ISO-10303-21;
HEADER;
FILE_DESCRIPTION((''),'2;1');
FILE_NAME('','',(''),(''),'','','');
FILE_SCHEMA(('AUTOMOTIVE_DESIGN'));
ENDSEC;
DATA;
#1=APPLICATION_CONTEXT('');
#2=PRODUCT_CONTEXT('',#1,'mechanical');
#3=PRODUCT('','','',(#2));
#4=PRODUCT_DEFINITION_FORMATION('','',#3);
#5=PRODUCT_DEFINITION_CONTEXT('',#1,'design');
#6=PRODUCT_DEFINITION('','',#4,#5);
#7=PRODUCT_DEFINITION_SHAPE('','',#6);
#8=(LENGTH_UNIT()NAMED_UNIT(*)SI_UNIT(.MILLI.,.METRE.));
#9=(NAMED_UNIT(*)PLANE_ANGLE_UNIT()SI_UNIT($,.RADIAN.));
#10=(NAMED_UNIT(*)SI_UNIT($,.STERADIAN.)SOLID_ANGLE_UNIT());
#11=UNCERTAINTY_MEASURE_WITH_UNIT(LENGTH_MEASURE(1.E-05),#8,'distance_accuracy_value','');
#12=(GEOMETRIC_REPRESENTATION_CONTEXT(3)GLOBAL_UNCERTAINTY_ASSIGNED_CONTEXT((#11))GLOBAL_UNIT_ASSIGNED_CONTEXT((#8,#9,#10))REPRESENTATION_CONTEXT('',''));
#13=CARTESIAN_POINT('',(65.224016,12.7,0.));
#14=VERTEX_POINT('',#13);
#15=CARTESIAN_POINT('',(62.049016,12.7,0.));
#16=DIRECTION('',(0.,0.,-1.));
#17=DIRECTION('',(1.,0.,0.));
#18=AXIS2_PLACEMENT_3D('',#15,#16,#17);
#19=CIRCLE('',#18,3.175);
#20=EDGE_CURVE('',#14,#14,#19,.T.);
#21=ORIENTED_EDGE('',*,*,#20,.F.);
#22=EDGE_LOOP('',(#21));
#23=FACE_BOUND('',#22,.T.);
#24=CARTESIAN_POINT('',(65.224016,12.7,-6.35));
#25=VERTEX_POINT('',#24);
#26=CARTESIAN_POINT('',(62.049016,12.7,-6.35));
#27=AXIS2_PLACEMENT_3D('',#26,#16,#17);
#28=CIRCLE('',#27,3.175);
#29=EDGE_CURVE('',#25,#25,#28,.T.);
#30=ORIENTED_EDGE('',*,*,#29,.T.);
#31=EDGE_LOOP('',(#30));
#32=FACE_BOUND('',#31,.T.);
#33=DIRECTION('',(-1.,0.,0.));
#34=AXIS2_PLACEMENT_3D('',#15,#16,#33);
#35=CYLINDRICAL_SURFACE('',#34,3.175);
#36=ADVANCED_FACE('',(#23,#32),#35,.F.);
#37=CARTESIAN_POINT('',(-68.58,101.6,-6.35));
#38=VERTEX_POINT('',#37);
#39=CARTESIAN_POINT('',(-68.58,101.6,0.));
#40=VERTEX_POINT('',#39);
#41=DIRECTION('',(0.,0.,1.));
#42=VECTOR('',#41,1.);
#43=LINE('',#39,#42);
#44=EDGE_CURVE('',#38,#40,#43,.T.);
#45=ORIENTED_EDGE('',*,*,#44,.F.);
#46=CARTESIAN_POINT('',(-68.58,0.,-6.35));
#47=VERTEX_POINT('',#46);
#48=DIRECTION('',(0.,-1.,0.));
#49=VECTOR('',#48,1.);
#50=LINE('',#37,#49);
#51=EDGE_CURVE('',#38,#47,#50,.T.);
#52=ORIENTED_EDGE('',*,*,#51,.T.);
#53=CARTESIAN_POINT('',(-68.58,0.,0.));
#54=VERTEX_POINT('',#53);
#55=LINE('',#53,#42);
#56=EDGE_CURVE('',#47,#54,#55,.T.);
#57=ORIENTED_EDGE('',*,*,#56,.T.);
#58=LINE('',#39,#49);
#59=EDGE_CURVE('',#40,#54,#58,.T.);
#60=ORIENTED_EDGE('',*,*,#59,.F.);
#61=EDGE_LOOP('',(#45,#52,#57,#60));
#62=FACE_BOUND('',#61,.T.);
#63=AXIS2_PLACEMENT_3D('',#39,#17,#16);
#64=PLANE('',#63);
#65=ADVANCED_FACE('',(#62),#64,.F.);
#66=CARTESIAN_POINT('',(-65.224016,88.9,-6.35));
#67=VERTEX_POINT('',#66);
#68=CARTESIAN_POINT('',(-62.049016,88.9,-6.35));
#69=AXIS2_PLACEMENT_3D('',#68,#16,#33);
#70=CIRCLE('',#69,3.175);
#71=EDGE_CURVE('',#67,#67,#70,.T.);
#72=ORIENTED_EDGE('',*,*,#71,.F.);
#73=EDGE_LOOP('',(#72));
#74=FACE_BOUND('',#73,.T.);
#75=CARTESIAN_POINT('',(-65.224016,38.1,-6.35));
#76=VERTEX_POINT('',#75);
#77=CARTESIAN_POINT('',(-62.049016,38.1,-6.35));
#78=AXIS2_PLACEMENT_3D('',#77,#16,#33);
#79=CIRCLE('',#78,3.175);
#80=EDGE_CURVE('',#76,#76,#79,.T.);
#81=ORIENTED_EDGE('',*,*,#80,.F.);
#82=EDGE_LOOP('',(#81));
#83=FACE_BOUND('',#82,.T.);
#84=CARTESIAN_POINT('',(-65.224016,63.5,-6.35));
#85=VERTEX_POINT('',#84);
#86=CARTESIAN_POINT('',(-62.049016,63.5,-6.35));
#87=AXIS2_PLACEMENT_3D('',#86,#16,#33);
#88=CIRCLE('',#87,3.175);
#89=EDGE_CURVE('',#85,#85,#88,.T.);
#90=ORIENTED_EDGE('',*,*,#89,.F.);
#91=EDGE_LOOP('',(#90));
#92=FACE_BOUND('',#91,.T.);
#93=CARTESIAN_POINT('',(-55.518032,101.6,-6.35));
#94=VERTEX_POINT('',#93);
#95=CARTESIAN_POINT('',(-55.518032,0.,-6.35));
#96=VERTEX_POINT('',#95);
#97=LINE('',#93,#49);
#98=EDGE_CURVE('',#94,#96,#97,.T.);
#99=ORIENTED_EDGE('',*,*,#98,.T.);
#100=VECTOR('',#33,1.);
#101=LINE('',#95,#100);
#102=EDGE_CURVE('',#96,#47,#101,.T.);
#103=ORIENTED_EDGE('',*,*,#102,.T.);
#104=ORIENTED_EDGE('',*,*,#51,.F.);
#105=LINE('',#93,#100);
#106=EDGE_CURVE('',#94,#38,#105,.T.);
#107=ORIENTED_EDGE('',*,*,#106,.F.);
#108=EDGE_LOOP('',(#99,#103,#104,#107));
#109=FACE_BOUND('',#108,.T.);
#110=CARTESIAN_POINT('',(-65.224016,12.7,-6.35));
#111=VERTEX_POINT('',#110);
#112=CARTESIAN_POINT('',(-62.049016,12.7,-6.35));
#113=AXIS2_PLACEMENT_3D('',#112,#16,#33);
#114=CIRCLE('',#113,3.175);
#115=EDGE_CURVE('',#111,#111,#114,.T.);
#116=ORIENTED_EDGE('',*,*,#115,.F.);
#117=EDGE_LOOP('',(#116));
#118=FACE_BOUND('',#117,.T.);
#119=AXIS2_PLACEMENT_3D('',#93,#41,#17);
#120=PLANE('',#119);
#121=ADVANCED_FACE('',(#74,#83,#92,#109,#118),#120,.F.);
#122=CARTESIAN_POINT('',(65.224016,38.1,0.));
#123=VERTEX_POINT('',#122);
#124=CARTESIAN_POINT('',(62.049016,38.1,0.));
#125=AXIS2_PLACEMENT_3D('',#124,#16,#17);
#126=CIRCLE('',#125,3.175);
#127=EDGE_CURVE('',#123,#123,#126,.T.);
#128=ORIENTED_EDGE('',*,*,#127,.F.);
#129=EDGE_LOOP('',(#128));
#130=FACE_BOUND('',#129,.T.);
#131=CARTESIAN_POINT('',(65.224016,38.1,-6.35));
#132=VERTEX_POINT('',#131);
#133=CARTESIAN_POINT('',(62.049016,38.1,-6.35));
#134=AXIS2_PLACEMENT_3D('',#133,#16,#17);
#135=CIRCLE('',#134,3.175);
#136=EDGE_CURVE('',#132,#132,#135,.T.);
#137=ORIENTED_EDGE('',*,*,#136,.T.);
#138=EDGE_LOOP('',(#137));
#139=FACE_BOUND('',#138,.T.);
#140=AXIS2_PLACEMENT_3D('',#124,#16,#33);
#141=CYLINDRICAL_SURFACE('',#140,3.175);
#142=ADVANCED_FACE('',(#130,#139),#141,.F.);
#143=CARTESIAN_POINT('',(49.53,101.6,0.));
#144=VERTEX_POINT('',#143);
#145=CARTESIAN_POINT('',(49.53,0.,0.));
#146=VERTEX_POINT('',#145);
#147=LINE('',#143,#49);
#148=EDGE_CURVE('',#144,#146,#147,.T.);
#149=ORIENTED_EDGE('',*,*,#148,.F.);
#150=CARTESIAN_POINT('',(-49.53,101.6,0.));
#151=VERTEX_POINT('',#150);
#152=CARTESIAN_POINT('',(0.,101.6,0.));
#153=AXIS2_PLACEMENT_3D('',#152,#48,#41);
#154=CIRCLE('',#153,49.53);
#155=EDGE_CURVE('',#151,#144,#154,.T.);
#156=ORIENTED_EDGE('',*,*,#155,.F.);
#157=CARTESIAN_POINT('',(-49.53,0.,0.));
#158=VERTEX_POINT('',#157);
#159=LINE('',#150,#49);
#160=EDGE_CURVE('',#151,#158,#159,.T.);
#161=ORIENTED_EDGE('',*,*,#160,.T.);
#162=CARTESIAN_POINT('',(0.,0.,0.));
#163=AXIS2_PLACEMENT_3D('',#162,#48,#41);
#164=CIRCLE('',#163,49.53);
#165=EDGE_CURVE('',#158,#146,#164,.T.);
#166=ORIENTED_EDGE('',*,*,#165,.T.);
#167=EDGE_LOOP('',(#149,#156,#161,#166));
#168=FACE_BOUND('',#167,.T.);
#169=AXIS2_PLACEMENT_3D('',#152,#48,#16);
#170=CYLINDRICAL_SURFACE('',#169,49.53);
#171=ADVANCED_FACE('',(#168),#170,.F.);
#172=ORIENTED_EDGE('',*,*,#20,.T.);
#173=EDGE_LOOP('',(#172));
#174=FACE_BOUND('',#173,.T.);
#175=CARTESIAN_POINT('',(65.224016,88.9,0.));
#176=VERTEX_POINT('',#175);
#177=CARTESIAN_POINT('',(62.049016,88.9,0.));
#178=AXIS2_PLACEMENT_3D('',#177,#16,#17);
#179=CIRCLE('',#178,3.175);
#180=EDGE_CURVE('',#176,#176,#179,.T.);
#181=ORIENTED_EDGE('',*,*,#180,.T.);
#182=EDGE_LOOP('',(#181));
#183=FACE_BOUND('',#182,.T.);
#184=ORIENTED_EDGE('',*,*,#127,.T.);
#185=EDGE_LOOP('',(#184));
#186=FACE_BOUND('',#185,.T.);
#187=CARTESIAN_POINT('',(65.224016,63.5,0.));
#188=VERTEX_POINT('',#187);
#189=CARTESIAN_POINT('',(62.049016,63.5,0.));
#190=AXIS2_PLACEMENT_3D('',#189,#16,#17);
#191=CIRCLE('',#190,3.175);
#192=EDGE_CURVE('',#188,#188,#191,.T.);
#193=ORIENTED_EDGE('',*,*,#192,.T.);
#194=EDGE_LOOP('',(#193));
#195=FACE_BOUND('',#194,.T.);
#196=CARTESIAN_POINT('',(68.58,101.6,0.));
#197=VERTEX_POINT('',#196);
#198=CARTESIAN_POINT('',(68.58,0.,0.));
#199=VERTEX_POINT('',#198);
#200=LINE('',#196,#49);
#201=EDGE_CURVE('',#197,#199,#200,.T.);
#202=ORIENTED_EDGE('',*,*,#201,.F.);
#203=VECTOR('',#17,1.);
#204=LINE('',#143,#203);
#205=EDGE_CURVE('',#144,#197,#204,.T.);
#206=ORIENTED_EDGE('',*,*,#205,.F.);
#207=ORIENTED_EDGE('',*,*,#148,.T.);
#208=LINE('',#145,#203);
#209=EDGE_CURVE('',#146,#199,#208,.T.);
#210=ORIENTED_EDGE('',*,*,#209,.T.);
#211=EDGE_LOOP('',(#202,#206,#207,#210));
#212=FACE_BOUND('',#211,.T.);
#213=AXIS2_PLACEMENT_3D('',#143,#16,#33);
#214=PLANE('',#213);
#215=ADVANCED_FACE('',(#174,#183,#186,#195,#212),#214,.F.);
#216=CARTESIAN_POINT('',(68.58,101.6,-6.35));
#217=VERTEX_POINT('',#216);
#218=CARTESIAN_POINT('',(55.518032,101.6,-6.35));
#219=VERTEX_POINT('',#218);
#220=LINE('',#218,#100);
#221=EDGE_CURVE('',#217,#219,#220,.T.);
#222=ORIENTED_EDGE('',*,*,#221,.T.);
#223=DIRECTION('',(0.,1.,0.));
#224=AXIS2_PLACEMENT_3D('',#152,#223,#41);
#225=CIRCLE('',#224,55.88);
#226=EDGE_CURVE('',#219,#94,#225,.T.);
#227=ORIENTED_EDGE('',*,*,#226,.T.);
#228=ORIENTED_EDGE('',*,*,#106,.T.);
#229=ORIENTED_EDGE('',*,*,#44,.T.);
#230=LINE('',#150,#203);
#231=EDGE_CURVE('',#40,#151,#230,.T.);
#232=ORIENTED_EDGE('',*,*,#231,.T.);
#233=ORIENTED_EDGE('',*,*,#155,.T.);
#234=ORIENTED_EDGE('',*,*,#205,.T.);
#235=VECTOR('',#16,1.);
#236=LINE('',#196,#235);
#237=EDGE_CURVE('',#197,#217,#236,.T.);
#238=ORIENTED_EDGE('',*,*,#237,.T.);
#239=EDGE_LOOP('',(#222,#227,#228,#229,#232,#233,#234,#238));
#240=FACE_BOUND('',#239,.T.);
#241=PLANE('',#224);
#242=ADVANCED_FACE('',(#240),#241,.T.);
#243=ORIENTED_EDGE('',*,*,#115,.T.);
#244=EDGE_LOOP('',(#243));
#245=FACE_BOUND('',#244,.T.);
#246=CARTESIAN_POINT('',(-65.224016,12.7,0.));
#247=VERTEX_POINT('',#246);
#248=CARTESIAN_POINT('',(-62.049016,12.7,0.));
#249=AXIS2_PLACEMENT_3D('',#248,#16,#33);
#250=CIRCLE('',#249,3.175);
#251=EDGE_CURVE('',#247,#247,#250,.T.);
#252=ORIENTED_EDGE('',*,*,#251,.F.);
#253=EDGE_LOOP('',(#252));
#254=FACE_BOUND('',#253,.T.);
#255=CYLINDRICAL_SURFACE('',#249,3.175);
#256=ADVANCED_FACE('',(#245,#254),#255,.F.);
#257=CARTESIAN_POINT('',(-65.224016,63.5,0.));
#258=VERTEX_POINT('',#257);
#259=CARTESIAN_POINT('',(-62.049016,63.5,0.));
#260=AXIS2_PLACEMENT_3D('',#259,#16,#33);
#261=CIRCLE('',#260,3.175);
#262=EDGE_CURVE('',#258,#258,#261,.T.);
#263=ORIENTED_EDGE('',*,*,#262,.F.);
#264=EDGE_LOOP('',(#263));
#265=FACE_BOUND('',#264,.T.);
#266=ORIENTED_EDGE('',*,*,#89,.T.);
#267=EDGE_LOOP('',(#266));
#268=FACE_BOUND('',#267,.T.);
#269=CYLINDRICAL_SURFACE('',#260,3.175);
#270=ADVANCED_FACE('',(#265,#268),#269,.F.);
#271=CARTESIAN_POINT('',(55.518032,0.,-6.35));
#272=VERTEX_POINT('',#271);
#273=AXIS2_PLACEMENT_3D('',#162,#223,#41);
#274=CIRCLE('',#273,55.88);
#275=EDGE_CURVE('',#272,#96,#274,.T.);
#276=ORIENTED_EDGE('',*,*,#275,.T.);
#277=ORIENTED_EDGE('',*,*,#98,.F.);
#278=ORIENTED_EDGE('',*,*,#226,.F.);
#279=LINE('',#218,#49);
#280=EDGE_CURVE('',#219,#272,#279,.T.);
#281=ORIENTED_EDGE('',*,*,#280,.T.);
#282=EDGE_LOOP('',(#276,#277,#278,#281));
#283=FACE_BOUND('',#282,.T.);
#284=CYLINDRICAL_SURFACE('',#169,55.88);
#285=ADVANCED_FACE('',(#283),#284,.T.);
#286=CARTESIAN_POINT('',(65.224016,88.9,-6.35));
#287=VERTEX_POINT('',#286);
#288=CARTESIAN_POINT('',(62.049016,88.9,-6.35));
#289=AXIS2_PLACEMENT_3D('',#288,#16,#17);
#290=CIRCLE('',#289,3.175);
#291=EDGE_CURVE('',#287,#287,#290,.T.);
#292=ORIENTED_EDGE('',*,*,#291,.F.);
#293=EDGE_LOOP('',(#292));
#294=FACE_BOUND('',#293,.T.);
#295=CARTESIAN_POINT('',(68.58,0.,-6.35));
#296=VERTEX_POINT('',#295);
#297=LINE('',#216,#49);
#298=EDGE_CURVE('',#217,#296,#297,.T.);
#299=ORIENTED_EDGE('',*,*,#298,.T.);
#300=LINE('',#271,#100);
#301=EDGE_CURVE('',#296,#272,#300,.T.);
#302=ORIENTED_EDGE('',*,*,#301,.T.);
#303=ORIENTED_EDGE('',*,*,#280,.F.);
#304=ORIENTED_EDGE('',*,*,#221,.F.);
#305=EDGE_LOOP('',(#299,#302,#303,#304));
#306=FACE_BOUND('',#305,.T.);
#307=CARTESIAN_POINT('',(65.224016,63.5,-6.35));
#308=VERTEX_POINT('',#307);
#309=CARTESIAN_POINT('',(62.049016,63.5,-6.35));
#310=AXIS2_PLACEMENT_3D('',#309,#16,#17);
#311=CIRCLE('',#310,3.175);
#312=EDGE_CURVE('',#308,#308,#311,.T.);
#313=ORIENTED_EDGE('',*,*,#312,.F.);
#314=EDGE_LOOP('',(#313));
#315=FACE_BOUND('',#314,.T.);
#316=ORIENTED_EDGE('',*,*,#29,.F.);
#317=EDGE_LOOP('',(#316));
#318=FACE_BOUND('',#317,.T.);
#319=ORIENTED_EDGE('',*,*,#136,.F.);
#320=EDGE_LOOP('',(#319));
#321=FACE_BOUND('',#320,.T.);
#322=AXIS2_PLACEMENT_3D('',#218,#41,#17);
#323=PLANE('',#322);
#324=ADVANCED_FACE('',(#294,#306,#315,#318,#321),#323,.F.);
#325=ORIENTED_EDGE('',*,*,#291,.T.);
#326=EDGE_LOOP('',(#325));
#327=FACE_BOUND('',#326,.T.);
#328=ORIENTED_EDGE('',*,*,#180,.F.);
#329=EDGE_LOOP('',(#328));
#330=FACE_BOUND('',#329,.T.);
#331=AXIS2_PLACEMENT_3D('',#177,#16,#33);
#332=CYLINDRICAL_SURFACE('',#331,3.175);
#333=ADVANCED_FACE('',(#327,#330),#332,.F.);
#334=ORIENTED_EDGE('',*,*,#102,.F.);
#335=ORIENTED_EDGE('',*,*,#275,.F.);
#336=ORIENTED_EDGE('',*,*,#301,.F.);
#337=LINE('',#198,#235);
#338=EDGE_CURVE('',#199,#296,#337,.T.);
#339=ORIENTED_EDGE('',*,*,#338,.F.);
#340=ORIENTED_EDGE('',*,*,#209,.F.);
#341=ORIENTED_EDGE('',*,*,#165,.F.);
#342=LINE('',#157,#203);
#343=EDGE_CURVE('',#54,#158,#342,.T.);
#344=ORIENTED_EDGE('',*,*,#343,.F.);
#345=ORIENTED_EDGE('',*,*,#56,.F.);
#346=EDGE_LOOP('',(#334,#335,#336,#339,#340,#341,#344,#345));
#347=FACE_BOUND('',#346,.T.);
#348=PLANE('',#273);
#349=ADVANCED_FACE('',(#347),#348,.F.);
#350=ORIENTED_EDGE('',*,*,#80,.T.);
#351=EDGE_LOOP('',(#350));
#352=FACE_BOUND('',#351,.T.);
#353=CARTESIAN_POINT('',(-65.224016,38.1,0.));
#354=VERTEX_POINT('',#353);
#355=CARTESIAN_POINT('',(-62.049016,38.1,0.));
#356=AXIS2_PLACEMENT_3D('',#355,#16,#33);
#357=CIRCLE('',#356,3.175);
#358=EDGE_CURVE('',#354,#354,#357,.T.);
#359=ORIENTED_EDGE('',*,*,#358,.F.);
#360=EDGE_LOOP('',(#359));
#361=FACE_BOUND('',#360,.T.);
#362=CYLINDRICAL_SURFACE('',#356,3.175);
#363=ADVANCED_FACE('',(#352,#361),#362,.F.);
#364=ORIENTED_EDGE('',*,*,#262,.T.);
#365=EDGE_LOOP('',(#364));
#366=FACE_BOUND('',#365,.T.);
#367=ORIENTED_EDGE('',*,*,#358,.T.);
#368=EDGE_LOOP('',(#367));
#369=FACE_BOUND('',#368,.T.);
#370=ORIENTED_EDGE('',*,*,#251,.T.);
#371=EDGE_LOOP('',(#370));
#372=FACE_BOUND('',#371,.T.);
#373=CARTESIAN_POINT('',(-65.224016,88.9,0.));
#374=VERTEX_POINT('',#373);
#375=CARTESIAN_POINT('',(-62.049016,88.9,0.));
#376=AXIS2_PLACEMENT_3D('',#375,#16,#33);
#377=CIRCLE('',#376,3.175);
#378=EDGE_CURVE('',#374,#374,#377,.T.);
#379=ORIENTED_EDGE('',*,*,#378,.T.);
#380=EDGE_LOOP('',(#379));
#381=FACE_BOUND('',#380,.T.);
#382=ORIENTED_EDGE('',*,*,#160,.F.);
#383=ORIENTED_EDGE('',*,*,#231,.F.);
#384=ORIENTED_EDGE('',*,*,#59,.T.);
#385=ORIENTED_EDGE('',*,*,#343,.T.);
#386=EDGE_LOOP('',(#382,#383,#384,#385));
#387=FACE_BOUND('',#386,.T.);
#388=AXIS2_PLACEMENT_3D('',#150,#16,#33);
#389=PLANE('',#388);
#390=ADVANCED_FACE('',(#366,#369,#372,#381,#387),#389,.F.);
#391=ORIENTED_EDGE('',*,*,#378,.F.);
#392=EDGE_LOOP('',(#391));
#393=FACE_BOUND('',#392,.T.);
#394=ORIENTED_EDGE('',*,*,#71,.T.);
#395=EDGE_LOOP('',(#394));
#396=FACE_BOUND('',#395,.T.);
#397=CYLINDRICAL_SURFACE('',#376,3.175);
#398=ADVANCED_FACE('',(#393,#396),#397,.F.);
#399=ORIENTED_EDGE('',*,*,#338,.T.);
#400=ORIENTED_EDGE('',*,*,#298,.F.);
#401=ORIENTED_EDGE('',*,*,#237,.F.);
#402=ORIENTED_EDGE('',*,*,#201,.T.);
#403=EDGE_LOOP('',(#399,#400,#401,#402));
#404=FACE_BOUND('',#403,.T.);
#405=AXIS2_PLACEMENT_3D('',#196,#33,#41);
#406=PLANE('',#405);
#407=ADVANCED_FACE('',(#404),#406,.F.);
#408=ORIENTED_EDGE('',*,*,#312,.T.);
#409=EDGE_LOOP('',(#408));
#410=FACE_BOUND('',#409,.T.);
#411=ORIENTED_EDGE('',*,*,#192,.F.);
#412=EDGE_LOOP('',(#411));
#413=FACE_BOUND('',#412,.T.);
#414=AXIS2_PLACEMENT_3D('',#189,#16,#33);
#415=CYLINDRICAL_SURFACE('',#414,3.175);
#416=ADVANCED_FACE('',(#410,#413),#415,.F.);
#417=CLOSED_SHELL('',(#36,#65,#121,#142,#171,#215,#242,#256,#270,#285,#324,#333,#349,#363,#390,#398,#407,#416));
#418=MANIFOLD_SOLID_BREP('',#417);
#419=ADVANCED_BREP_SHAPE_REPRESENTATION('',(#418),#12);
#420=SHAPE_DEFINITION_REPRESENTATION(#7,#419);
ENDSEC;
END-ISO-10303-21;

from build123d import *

# Parameters (mm, degrees)
BOSS_EXTRUDE1_DEPTH = 101.6
SKETCH2_R           = 3.175
CUT_EXTRUDE1_DEPTH  = 133.208158977


with BuildPart() as part:
    # Sketch1 → Boss-Extrude1 (new body)
    with BuildSketch(Plane(origin=(0, 0, 0), x_dir=(1, 0, 0), z_dir=(0, 1, 0))):
        with BuildLine():
            Line((55.518032206, 6.35), (68.58, 6.35))
            Line((68.58, 6.35), (68.58, 0))
            Line((68.58, 0), (49.53, 0))
            ThreePointArc((49.53, 0), (0, 49.53), (-49.53, 0))
            Line((-49.53, 0), (-68.58, 0))
            Line((-68.58, 0), (-68.58, 6.35))
            Line((-68.58, 6.35), (-55.518032206, 6.35))
            ThreePointArc((-55.518032206, 6.35), (0, 55.88), (55.518032206, 6.35))
        make_face()
    extrude(amount=BOSS_EXTRUDE1_DEPTH)

    # Sketch2 → Cut-Extrude1 (cut, through all)
    with BuildSketch(Plane(origin=(0, 0, -6.35), x_dir=(-1, 0, 0), z_dir=(0, 0, -1))):
        with Locations((62.049016103, 88.9)):
            Circle(SKETCH2_R)
        with Locations((62.049016103, 63.5)):
            Circle(SKETCH2_R)
        with Locations((62.049016103, 38.1)):
            Circle(SKETCH2_R)
        with Locations((62.049016103, 12.7)):
            Circle(SKETCH2_R)
        with Locations(Location((-62.049016103, 12.7, 0), (0, 0, 180))):
            Circle(SKETCH2_R)
        with Locations(Location((-62.049016103, 38.1, 0), (0, 0, 180))):
            Circle(SKETCH2_R)
        with Locations(Location((-62.049016103, 63.5, 0), (0, 0, 180))):
            Circle(SKETCH2_R)
        with Locations(Location((-62.049016103, 88.9, 0), (0, 0, 180))):
            Circle(SKETCH2_R)
    extrude(amount=-CUT_EXTRUDE1_DEPTH, mode=Mode.SUBTRACT)


solid = part.part
